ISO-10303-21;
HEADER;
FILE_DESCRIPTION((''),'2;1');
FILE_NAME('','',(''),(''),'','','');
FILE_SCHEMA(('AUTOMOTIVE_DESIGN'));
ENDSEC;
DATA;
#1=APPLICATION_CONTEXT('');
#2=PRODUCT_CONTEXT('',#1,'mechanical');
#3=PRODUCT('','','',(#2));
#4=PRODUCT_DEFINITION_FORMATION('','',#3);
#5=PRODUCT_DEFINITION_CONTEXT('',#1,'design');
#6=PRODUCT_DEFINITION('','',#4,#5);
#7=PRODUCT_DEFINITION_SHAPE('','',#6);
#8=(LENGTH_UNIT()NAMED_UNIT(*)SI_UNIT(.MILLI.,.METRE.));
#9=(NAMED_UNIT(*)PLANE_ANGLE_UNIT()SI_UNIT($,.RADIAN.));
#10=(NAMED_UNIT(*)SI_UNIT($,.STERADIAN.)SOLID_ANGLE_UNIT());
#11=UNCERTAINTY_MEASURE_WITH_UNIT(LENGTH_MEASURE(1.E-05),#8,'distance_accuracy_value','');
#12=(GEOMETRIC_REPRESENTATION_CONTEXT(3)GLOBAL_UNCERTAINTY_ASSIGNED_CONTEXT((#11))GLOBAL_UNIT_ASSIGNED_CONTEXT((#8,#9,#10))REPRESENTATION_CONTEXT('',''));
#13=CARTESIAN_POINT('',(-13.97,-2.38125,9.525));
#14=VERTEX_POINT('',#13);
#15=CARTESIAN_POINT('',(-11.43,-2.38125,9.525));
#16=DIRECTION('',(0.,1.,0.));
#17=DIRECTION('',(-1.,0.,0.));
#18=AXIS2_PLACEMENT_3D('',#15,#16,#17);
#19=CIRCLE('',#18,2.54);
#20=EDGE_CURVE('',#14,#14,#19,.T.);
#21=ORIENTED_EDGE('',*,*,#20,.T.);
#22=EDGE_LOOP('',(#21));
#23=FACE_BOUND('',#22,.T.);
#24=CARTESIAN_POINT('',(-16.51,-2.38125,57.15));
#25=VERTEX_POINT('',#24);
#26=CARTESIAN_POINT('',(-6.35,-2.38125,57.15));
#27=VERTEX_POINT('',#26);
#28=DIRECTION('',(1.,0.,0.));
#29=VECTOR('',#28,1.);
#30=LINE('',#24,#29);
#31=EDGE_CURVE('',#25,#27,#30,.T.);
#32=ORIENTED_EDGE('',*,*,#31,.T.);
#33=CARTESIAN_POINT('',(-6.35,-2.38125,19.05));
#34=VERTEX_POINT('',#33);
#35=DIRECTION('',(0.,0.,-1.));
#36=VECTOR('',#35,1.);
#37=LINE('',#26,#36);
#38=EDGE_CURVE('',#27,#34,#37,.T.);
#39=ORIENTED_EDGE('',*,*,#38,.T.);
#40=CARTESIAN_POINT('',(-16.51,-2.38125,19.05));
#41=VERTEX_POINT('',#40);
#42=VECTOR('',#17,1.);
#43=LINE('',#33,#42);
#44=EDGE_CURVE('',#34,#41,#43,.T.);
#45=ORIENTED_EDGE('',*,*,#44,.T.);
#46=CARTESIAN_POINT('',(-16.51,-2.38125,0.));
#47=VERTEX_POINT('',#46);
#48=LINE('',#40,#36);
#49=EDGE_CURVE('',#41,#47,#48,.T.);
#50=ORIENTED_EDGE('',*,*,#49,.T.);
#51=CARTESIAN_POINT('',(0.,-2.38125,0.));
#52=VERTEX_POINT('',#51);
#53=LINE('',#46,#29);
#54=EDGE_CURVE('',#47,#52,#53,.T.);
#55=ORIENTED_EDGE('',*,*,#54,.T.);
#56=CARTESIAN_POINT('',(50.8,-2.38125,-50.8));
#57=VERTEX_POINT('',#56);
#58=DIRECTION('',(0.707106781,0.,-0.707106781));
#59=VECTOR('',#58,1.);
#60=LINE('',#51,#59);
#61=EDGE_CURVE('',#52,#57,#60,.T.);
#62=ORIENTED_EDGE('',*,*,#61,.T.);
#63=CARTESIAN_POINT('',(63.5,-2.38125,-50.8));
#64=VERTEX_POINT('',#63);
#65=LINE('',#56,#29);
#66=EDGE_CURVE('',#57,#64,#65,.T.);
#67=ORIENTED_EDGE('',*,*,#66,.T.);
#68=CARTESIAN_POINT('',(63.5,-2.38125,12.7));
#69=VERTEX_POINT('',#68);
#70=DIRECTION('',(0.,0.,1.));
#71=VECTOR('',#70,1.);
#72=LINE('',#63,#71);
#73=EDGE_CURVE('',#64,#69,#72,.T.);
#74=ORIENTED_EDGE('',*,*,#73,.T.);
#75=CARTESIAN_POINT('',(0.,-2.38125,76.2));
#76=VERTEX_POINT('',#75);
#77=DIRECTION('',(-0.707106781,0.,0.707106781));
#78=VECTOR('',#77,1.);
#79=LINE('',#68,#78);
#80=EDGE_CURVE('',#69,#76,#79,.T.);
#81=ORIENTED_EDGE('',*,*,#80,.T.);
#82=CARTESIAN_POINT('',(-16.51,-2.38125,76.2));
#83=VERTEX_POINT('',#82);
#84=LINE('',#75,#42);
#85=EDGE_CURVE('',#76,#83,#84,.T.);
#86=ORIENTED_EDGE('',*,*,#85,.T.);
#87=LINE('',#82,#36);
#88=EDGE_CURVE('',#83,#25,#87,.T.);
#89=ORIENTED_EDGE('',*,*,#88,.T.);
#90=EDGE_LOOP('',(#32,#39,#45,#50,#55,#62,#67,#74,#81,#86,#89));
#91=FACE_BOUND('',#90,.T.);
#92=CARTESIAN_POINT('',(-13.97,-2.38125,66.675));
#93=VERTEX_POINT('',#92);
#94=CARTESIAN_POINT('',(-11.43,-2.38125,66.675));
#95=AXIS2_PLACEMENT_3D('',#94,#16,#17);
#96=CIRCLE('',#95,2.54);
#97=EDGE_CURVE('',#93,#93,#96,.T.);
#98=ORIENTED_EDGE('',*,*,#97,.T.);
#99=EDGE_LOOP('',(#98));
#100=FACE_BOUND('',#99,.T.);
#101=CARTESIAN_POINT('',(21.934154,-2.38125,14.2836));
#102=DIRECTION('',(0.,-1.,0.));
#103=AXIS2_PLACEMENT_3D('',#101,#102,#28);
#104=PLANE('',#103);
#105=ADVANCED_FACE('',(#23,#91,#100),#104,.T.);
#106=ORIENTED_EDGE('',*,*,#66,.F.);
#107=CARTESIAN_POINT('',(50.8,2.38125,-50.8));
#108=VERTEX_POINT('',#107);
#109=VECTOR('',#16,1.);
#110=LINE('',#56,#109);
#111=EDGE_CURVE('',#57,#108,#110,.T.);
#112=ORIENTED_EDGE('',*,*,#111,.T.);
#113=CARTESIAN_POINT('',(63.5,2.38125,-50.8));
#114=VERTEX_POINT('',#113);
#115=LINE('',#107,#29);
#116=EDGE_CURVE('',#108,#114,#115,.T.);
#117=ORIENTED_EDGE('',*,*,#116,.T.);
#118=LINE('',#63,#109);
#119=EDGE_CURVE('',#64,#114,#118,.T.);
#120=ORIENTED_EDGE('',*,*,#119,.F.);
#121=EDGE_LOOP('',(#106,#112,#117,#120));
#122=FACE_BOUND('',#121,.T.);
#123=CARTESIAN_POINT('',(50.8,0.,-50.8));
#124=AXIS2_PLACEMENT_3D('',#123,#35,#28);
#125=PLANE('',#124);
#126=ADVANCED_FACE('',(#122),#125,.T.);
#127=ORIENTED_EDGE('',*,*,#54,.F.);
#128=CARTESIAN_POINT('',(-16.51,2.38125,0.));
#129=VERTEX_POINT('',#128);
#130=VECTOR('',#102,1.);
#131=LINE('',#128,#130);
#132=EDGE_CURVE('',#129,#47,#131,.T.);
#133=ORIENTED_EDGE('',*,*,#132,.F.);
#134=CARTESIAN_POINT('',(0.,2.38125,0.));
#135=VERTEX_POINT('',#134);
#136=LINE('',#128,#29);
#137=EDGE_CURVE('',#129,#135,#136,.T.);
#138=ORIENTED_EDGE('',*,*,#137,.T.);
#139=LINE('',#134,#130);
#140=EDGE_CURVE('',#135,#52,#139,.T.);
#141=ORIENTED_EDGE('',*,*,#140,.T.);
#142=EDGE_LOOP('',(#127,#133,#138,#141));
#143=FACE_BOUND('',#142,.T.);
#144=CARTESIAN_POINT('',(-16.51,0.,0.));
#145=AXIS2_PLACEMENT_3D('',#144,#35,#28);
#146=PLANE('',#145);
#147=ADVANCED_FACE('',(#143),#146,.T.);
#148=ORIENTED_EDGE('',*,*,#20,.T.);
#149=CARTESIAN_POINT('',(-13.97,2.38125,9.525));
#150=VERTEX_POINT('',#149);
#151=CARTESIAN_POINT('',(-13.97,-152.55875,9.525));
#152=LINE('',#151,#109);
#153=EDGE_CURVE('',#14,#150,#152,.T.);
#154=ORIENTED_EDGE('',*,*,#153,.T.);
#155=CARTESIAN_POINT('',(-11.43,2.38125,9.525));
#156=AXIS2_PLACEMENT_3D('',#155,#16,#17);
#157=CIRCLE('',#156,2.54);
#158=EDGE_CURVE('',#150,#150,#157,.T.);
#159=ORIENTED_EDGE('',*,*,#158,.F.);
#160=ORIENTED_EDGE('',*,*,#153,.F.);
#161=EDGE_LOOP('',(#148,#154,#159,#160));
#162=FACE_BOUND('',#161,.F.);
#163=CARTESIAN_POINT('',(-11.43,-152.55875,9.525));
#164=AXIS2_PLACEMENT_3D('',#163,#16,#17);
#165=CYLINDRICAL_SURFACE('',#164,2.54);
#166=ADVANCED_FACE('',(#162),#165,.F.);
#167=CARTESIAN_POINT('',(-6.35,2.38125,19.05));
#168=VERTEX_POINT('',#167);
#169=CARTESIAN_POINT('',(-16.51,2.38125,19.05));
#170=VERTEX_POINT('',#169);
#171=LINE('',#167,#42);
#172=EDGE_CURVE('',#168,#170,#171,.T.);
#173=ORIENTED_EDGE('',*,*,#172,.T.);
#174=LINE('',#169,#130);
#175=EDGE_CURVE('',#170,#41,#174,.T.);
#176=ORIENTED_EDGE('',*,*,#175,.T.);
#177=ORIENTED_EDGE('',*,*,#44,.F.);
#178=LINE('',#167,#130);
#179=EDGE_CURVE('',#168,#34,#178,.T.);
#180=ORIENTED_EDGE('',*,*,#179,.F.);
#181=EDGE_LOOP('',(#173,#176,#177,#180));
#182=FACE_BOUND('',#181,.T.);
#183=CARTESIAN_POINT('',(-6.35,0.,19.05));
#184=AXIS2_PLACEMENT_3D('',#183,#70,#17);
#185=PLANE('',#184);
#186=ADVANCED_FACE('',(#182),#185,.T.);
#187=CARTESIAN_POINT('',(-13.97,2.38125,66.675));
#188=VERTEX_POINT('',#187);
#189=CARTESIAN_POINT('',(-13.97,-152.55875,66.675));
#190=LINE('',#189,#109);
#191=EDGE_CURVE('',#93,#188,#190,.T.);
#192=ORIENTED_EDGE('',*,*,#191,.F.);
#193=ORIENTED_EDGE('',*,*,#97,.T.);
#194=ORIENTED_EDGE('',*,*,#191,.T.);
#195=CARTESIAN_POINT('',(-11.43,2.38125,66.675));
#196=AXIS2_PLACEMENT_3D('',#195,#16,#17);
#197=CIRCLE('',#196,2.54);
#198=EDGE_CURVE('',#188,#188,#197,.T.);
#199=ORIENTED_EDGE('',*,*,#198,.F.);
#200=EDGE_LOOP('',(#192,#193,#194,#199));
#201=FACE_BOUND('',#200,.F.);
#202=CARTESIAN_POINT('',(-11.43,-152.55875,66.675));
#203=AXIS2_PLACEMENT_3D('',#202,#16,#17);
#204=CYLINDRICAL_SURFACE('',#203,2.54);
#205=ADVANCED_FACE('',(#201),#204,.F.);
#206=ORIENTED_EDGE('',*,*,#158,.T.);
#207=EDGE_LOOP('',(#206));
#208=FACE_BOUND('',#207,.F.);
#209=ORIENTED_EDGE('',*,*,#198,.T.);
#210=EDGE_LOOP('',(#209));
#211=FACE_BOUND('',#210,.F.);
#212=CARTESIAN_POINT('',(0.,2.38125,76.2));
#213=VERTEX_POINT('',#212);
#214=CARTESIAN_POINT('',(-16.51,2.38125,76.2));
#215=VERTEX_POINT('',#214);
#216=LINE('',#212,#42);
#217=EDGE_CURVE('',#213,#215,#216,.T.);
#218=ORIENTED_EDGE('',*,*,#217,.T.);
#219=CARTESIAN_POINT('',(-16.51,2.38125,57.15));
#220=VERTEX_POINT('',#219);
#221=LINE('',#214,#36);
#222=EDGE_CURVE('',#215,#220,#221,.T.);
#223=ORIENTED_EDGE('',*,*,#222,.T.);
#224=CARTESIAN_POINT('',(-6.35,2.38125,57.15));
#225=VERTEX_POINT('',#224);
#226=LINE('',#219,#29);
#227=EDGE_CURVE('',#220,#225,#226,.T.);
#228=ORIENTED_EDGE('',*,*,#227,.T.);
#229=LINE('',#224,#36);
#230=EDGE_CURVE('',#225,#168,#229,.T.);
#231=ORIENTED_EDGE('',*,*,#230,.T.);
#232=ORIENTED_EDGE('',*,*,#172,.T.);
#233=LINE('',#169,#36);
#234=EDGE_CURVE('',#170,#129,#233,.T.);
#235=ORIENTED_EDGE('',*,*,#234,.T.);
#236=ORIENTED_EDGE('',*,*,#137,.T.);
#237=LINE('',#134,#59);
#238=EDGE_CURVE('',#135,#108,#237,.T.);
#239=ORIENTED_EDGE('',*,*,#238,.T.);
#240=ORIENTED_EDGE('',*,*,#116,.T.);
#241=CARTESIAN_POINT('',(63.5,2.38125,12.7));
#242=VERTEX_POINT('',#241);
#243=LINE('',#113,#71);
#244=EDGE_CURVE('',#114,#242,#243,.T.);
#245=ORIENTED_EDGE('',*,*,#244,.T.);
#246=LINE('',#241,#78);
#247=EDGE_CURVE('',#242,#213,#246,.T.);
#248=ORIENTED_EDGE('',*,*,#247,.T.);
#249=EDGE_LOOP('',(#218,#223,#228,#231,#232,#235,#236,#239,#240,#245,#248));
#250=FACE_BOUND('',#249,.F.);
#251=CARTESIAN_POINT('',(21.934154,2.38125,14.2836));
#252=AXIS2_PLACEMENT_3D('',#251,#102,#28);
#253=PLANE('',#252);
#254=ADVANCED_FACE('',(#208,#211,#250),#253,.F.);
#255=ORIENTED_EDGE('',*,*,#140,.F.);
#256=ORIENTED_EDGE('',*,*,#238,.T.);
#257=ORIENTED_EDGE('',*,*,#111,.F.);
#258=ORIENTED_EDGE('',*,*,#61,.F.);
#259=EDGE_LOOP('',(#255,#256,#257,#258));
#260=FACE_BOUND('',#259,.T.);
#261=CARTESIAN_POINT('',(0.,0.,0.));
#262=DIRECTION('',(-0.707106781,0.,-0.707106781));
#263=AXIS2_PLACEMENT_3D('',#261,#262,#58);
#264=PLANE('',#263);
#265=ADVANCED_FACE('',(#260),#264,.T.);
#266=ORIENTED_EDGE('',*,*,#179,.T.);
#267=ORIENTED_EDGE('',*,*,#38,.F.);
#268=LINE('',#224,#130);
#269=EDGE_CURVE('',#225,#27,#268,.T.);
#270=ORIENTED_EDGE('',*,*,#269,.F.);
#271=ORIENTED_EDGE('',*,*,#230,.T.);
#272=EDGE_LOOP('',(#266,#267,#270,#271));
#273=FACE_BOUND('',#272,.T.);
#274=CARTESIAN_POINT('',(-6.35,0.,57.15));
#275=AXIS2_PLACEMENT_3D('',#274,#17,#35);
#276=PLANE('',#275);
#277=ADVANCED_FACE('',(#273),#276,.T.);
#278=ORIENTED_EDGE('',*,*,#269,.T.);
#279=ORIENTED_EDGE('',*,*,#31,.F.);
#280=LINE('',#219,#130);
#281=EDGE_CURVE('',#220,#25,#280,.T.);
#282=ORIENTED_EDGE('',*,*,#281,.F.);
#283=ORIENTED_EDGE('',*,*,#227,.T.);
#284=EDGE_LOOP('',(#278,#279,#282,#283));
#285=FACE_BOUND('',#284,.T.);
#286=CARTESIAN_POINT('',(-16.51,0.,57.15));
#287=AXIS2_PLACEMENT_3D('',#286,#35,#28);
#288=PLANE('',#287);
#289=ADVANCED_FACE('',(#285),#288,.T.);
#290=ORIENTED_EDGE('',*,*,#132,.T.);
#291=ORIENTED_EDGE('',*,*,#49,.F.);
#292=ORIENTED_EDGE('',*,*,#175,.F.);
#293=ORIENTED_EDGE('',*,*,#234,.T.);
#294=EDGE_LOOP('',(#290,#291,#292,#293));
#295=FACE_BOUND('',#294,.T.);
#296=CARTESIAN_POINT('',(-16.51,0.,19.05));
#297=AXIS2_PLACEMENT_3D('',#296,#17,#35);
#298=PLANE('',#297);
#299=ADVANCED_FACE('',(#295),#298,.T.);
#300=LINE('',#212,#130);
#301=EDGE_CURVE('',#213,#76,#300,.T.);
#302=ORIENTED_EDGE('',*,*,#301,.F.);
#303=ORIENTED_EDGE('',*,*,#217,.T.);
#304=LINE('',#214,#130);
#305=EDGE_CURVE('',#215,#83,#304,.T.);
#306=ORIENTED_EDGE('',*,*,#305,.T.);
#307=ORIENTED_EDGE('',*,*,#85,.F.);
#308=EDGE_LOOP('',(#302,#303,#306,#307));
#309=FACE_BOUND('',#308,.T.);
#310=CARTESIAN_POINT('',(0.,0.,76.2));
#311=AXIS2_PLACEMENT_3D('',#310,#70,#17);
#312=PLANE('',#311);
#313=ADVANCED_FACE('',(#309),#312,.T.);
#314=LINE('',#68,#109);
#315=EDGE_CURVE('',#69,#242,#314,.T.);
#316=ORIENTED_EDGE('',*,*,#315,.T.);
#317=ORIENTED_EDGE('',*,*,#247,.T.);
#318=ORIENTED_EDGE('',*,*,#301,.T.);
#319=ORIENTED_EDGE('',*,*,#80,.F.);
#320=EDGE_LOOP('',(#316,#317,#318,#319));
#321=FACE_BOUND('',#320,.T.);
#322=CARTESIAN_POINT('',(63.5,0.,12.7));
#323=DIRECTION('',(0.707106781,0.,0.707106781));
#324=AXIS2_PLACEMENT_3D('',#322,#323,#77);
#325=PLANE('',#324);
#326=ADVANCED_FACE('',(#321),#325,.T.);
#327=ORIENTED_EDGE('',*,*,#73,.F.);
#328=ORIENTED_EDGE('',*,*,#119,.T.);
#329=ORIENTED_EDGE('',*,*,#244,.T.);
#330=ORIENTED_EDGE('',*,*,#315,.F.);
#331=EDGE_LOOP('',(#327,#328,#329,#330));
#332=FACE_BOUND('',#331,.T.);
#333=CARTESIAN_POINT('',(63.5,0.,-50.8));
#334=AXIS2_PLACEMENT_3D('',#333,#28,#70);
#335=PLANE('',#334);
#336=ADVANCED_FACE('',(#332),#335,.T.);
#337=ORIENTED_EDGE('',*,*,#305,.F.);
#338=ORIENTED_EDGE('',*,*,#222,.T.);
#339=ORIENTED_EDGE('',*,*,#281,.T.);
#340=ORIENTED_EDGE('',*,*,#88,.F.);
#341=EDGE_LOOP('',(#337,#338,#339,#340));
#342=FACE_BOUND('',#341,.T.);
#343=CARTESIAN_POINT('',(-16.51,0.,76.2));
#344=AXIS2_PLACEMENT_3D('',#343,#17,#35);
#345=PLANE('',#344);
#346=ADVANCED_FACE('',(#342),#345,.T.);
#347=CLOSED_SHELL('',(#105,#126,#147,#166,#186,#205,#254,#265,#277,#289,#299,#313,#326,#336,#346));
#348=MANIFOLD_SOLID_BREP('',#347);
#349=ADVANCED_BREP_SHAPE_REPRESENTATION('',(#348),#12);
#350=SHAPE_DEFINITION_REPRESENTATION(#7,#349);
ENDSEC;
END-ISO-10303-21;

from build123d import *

# Parameters (mm, degrees)
F1_DEPTH = 2.38125
F3_D     = 5.08


with BuildPart() as f1:
    # F0 (on Front) → F1 (new body, symmetric)
    with BuildSketch(Plane.XZ):
        Polygon((63.5, 12.7), (0, 76.2), (-6.35, 76.2), (-16.51, 76.2), (-16.51, 57.15), (-6.35, 57.15), (-6.35, 47.625), (-6.35, 28.575), (-6.35, 19.05), (-16.51, 19.05), (-16.51, 0), (-6.35, 0), (0, 0), (50.8, -50.8), (63.5, -50.8), align=None)
    extrude(amount=F1_DEPTH, both=True)

    # F3 (through all)
    with Locations(Plane.XZ.offset(2.38125)):
        with Locations((-11.43, 66.675), (-11.43, 38.1), (-11.43, 9.525)):
            Hole(F3_D / 2)


solid = f1.part
